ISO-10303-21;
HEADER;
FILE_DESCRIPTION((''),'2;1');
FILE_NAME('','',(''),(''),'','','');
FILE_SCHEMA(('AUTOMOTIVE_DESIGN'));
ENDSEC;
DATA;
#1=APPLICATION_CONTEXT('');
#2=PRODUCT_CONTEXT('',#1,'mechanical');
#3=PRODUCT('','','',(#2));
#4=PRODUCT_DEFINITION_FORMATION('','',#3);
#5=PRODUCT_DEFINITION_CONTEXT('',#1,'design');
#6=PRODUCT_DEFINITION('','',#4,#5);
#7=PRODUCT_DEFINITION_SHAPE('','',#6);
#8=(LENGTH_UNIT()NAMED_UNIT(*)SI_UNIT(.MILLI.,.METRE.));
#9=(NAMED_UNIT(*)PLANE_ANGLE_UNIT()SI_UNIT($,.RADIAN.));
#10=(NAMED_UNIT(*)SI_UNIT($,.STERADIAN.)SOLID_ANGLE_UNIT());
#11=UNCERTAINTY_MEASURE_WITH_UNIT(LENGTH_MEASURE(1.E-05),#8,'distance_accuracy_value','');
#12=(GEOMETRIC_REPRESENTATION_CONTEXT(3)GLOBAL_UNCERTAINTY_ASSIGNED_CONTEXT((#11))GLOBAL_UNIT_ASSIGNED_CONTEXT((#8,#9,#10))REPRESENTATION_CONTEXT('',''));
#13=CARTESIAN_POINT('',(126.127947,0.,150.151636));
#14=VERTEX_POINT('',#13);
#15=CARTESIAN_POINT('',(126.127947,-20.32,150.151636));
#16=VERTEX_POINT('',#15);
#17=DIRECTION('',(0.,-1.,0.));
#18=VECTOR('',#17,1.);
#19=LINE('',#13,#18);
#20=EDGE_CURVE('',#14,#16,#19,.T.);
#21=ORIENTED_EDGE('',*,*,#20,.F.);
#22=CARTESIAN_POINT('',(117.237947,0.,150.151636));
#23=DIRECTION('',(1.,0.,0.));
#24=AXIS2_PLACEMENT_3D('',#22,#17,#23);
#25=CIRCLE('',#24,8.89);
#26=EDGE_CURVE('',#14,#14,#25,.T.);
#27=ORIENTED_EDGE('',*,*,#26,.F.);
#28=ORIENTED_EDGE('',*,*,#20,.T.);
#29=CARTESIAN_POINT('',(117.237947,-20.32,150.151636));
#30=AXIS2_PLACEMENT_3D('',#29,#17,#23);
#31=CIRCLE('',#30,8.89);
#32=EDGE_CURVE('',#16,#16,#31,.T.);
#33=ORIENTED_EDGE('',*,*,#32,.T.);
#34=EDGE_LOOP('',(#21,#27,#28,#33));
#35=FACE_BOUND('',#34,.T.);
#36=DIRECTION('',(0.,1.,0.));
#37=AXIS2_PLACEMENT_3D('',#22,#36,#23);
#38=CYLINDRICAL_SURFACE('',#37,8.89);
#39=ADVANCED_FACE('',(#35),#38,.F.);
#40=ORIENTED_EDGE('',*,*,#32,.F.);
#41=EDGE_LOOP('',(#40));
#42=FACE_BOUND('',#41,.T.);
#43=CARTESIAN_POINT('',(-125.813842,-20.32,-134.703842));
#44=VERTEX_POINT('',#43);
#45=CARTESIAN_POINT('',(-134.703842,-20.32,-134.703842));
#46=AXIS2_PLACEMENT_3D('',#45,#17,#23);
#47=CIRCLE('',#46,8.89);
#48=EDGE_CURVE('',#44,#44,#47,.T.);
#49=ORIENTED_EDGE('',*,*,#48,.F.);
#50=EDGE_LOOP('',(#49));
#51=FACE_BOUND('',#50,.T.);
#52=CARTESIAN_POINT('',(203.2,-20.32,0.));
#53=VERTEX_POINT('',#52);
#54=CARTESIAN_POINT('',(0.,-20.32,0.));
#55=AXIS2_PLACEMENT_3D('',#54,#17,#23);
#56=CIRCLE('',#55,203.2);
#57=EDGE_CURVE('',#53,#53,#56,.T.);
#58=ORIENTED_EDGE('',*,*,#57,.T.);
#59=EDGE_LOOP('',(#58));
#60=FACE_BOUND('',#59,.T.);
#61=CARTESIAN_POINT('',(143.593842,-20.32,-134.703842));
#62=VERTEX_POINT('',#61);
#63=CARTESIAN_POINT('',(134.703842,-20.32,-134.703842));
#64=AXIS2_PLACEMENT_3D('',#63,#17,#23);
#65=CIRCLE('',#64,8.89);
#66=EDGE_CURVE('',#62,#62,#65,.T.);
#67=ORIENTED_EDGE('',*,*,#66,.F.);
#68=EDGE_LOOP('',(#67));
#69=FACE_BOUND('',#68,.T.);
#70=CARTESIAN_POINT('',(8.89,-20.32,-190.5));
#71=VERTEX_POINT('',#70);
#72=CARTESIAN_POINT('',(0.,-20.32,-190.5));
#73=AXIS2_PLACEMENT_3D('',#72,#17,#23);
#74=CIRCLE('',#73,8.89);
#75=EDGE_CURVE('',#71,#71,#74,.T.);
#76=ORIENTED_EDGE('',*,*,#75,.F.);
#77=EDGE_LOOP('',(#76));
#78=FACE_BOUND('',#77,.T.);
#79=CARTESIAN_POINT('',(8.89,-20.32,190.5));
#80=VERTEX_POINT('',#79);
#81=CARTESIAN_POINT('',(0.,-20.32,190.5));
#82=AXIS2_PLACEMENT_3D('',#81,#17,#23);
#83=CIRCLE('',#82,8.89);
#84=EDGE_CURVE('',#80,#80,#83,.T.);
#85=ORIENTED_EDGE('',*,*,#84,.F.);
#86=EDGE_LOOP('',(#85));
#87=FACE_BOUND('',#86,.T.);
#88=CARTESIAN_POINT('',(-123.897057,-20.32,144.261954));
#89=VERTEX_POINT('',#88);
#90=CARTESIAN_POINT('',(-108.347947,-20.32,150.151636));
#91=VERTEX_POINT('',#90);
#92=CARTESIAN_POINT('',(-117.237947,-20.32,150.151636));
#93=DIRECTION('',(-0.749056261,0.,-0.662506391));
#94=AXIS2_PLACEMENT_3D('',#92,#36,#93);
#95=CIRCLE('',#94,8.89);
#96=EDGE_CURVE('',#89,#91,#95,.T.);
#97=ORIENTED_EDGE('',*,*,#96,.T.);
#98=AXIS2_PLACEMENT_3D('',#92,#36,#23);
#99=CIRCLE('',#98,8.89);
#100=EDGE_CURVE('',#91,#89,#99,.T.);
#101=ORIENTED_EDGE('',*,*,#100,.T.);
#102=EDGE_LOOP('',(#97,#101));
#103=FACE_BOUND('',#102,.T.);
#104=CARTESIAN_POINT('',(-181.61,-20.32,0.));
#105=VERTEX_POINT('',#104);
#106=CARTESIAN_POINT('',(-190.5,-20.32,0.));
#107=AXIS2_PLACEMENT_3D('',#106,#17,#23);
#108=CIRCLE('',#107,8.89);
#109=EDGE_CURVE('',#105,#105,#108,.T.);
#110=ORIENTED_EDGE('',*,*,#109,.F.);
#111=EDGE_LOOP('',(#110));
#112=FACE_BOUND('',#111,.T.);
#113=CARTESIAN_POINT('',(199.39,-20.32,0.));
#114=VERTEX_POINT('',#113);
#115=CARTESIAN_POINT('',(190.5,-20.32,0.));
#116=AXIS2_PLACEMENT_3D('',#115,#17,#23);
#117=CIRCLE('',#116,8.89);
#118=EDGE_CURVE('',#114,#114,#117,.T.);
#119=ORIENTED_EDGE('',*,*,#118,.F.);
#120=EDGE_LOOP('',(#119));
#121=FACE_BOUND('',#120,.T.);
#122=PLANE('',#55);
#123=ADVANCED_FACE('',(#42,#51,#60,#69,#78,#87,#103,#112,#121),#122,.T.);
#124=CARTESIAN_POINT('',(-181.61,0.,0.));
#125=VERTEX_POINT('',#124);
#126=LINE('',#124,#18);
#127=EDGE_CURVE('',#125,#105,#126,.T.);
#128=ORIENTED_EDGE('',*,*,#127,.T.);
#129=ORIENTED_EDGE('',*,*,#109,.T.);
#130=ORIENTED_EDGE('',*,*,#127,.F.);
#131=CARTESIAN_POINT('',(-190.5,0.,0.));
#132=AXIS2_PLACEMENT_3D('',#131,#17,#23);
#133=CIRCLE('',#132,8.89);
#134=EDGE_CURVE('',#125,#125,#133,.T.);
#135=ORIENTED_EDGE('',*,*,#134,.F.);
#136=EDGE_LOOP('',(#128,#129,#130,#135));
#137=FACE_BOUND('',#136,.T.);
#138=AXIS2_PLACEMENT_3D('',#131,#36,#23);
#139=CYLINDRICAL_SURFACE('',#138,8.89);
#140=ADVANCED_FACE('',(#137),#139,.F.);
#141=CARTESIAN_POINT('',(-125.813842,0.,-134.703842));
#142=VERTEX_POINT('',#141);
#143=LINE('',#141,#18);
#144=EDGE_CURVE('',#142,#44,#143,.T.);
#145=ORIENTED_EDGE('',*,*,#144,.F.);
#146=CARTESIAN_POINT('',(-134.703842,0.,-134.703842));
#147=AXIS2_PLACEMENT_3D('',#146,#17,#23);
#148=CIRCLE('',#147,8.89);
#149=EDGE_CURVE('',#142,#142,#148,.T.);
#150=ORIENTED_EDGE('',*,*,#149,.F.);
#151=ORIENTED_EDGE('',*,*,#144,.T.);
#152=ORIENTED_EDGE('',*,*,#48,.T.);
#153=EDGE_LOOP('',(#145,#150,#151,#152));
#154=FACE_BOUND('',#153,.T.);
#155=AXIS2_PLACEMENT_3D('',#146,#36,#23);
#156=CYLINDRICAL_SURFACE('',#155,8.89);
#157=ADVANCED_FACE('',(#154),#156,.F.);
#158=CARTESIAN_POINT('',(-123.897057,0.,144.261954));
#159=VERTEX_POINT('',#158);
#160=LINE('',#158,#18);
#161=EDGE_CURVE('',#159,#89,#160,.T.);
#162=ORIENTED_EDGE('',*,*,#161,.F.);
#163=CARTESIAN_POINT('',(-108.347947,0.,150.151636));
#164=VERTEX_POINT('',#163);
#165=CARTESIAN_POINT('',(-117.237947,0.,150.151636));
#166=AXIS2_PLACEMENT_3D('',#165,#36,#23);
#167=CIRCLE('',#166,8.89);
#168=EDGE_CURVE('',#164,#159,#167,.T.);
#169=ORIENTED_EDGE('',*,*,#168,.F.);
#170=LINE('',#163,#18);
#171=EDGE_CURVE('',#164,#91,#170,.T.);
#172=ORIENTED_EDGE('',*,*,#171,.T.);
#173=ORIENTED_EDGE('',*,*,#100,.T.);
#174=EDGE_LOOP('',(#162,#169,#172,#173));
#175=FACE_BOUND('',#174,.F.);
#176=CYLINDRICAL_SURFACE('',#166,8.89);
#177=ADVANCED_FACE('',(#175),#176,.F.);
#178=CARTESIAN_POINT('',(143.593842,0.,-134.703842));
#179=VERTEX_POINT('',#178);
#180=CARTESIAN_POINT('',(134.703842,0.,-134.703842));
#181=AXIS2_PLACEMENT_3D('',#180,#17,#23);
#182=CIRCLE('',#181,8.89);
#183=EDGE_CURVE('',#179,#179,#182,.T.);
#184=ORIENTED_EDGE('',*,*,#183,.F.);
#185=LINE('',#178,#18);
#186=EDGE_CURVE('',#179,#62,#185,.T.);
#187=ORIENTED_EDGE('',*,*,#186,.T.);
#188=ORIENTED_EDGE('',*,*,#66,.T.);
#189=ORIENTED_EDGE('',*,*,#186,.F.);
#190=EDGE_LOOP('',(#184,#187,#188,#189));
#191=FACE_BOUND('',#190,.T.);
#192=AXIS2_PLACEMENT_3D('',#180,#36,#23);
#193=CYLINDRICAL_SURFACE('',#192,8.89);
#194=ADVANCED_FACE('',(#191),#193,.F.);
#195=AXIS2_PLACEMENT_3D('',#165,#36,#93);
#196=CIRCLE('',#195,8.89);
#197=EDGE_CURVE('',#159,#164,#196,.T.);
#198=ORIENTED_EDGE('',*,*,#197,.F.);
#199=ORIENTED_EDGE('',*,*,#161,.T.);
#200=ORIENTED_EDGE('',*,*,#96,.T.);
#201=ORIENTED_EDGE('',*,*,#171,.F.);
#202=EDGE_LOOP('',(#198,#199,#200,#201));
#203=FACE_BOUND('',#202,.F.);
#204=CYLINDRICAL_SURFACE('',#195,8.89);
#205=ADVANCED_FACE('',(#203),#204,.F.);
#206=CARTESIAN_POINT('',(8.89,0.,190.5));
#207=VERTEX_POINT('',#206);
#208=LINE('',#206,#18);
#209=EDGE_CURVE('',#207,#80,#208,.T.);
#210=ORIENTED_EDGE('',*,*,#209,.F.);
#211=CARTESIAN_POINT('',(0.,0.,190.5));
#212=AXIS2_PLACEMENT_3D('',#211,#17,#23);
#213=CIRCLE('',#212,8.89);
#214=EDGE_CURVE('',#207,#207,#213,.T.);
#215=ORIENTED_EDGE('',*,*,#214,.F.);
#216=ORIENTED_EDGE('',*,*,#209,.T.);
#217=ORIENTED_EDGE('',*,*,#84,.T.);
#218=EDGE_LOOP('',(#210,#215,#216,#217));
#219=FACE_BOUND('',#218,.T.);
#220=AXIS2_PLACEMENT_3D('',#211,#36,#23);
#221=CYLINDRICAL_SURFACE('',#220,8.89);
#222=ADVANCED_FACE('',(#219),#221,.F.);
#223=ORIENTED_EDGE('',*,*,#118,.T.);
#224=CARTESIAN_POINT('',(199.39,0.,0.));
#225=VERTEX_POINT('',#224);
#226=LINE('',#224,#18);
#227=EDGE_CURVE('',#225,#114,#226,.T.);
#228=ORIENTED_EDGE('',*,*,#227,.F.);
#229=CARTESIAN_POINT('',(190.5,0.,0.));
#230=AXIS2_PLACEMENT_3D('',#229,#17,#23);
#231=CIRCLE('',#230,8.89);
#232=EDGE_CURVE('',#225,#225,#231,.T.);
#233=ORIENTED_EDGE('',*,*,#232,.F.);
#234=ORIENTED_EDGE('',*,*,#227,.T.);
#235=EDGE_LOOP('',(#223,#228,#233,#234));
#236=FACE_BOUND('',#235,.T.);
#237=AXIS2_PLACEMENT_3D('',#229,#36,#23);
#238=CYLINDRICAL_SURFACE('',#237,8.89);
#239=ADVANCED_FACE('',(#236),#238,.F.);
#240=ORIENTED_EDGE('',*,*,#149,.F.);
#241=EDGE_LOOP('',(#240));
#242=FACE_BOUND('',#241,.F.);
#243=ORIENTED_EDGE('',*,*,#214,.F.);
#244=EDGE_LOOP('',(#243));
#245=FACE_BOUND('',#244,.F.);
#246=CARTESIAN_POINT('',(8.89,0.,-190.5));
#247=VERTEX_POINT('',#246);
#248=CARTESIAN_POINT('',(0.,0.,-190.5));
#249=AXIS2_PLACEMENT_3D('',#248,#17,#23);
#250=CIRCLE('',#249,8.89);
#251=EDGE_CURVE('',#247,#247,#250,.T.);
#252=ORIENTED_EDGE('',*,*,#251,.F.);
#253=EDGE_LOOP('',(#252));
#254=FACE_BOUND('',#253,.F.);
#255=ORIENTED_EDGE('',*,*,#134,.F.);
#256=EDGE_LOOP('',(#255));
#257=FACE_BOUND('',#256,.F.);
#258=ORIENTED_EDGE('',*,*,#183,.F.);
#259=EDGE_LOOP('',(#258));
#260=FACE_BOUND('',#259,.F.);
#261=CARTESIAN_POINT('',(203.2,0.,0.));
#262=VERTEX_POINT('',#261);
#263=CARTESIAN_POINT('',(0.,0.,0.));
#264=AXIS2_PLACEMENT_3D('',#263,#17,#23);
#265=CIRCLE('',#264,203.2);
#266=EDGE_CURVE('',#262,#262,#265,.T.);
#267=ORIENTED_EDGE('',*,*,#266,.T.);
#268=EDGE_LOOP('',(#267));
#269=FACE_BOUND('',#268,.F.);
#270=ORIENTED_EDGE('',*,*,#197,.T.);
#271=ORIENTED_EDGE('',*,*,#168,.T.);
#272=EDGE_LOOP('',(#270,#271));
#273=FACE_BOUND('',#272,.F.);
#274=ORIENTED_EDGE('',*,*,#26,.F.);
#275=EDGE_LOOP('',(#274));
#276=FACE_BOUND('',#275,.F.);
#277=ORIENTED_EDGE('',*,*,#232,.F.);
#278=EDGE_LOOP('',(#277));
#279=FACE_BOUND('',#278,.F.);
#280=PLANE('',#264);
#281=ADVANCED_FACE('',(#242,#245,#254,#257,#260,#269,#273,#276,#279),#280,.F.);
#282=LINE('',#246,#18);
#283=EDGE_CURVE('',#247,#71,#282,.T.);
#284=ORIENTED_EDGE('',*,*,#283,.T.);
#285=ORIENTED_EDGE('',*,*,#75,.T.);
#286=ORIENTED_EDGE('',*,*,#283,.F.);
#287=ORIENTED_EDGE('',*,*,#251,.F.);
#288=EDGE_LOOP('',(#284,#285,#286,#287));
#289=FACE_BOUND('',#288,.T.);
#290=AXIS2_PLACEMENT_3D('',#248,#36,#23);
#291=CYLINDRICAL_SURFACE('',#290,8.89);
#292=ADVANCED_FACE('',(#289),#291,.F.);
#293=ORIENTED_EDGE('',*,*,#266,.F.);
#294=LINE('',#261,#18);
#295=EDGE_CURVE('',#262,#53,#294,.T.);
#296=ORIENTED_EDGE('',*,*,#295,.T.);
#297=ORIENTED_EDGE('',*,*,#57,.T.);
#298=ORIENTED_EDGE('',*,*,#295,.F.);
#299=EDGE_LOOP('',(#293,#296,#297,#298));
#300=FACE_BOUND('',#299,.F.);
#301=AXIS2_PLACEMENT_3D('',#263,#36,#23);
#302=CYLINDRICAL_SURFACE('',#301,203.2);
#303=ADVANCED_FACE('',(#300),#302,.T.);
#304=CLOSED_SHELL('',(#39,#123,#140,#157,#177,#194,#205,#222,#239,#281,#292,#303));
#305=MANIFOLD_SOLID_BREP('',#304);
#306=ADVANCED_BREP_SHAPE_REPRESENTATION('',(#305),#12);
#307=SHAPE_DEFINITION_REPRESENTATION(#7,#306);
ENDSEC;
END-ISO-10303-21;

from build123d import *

# Parameters (mm, degrees)
F0_R     = 203.2
F0_R_2   = 8.89
F1_DEPTH = 20.32


with BuildPart() as f1:
    # F0 (on Front) → F1 (new body)
    with BuildSketch(Plane.XZ):
        Circle(F0_R)
        with Locations((-134.703841816, -134.703841816)):
            Circle(F0_R_2, mode=Mode.SUBTRACT)
        with Locations((0, -190.5)):
            Circle(F0_R_2, mode=Mode.SUBTRACT)
        with Locations((-190.5, 0)):
            Circle(F0_R_2, mode=Mode.SUBTRACT)
        with Locations((134.703841816, -134.703841816)):
            Circle(F0_R_2, mode=Mode.SUBTRACT)
        with Locations((190.5, 0)):
            Circle(F0_R_2, mode=Mode.SUBTRACT)
        with BuildLine():
            ThreePointArc((-123.8970573285, 144.2619540188), (-120.3869637363, 158.4652267944), (-108.347947169, 150.1516358339))
            ThreePointArc((-108.347947169, 150.1516358339), (-114.0889306017, 141.8380448734), (-123.8970573285, 144.2619540188))
        make_face(mode=Mode.SUBTRACT)
        with Locations((0, 190.5)):
            Circle(F0_R_2, mode=Mode.SUBTRACT)
        with Locations((117.237947169, 150.1516358339)):
            Circle(F0_R_2, mode=Mode.SUBTRACT)
    extrude(amount=F1_DEPTH)


solid = f1.part
